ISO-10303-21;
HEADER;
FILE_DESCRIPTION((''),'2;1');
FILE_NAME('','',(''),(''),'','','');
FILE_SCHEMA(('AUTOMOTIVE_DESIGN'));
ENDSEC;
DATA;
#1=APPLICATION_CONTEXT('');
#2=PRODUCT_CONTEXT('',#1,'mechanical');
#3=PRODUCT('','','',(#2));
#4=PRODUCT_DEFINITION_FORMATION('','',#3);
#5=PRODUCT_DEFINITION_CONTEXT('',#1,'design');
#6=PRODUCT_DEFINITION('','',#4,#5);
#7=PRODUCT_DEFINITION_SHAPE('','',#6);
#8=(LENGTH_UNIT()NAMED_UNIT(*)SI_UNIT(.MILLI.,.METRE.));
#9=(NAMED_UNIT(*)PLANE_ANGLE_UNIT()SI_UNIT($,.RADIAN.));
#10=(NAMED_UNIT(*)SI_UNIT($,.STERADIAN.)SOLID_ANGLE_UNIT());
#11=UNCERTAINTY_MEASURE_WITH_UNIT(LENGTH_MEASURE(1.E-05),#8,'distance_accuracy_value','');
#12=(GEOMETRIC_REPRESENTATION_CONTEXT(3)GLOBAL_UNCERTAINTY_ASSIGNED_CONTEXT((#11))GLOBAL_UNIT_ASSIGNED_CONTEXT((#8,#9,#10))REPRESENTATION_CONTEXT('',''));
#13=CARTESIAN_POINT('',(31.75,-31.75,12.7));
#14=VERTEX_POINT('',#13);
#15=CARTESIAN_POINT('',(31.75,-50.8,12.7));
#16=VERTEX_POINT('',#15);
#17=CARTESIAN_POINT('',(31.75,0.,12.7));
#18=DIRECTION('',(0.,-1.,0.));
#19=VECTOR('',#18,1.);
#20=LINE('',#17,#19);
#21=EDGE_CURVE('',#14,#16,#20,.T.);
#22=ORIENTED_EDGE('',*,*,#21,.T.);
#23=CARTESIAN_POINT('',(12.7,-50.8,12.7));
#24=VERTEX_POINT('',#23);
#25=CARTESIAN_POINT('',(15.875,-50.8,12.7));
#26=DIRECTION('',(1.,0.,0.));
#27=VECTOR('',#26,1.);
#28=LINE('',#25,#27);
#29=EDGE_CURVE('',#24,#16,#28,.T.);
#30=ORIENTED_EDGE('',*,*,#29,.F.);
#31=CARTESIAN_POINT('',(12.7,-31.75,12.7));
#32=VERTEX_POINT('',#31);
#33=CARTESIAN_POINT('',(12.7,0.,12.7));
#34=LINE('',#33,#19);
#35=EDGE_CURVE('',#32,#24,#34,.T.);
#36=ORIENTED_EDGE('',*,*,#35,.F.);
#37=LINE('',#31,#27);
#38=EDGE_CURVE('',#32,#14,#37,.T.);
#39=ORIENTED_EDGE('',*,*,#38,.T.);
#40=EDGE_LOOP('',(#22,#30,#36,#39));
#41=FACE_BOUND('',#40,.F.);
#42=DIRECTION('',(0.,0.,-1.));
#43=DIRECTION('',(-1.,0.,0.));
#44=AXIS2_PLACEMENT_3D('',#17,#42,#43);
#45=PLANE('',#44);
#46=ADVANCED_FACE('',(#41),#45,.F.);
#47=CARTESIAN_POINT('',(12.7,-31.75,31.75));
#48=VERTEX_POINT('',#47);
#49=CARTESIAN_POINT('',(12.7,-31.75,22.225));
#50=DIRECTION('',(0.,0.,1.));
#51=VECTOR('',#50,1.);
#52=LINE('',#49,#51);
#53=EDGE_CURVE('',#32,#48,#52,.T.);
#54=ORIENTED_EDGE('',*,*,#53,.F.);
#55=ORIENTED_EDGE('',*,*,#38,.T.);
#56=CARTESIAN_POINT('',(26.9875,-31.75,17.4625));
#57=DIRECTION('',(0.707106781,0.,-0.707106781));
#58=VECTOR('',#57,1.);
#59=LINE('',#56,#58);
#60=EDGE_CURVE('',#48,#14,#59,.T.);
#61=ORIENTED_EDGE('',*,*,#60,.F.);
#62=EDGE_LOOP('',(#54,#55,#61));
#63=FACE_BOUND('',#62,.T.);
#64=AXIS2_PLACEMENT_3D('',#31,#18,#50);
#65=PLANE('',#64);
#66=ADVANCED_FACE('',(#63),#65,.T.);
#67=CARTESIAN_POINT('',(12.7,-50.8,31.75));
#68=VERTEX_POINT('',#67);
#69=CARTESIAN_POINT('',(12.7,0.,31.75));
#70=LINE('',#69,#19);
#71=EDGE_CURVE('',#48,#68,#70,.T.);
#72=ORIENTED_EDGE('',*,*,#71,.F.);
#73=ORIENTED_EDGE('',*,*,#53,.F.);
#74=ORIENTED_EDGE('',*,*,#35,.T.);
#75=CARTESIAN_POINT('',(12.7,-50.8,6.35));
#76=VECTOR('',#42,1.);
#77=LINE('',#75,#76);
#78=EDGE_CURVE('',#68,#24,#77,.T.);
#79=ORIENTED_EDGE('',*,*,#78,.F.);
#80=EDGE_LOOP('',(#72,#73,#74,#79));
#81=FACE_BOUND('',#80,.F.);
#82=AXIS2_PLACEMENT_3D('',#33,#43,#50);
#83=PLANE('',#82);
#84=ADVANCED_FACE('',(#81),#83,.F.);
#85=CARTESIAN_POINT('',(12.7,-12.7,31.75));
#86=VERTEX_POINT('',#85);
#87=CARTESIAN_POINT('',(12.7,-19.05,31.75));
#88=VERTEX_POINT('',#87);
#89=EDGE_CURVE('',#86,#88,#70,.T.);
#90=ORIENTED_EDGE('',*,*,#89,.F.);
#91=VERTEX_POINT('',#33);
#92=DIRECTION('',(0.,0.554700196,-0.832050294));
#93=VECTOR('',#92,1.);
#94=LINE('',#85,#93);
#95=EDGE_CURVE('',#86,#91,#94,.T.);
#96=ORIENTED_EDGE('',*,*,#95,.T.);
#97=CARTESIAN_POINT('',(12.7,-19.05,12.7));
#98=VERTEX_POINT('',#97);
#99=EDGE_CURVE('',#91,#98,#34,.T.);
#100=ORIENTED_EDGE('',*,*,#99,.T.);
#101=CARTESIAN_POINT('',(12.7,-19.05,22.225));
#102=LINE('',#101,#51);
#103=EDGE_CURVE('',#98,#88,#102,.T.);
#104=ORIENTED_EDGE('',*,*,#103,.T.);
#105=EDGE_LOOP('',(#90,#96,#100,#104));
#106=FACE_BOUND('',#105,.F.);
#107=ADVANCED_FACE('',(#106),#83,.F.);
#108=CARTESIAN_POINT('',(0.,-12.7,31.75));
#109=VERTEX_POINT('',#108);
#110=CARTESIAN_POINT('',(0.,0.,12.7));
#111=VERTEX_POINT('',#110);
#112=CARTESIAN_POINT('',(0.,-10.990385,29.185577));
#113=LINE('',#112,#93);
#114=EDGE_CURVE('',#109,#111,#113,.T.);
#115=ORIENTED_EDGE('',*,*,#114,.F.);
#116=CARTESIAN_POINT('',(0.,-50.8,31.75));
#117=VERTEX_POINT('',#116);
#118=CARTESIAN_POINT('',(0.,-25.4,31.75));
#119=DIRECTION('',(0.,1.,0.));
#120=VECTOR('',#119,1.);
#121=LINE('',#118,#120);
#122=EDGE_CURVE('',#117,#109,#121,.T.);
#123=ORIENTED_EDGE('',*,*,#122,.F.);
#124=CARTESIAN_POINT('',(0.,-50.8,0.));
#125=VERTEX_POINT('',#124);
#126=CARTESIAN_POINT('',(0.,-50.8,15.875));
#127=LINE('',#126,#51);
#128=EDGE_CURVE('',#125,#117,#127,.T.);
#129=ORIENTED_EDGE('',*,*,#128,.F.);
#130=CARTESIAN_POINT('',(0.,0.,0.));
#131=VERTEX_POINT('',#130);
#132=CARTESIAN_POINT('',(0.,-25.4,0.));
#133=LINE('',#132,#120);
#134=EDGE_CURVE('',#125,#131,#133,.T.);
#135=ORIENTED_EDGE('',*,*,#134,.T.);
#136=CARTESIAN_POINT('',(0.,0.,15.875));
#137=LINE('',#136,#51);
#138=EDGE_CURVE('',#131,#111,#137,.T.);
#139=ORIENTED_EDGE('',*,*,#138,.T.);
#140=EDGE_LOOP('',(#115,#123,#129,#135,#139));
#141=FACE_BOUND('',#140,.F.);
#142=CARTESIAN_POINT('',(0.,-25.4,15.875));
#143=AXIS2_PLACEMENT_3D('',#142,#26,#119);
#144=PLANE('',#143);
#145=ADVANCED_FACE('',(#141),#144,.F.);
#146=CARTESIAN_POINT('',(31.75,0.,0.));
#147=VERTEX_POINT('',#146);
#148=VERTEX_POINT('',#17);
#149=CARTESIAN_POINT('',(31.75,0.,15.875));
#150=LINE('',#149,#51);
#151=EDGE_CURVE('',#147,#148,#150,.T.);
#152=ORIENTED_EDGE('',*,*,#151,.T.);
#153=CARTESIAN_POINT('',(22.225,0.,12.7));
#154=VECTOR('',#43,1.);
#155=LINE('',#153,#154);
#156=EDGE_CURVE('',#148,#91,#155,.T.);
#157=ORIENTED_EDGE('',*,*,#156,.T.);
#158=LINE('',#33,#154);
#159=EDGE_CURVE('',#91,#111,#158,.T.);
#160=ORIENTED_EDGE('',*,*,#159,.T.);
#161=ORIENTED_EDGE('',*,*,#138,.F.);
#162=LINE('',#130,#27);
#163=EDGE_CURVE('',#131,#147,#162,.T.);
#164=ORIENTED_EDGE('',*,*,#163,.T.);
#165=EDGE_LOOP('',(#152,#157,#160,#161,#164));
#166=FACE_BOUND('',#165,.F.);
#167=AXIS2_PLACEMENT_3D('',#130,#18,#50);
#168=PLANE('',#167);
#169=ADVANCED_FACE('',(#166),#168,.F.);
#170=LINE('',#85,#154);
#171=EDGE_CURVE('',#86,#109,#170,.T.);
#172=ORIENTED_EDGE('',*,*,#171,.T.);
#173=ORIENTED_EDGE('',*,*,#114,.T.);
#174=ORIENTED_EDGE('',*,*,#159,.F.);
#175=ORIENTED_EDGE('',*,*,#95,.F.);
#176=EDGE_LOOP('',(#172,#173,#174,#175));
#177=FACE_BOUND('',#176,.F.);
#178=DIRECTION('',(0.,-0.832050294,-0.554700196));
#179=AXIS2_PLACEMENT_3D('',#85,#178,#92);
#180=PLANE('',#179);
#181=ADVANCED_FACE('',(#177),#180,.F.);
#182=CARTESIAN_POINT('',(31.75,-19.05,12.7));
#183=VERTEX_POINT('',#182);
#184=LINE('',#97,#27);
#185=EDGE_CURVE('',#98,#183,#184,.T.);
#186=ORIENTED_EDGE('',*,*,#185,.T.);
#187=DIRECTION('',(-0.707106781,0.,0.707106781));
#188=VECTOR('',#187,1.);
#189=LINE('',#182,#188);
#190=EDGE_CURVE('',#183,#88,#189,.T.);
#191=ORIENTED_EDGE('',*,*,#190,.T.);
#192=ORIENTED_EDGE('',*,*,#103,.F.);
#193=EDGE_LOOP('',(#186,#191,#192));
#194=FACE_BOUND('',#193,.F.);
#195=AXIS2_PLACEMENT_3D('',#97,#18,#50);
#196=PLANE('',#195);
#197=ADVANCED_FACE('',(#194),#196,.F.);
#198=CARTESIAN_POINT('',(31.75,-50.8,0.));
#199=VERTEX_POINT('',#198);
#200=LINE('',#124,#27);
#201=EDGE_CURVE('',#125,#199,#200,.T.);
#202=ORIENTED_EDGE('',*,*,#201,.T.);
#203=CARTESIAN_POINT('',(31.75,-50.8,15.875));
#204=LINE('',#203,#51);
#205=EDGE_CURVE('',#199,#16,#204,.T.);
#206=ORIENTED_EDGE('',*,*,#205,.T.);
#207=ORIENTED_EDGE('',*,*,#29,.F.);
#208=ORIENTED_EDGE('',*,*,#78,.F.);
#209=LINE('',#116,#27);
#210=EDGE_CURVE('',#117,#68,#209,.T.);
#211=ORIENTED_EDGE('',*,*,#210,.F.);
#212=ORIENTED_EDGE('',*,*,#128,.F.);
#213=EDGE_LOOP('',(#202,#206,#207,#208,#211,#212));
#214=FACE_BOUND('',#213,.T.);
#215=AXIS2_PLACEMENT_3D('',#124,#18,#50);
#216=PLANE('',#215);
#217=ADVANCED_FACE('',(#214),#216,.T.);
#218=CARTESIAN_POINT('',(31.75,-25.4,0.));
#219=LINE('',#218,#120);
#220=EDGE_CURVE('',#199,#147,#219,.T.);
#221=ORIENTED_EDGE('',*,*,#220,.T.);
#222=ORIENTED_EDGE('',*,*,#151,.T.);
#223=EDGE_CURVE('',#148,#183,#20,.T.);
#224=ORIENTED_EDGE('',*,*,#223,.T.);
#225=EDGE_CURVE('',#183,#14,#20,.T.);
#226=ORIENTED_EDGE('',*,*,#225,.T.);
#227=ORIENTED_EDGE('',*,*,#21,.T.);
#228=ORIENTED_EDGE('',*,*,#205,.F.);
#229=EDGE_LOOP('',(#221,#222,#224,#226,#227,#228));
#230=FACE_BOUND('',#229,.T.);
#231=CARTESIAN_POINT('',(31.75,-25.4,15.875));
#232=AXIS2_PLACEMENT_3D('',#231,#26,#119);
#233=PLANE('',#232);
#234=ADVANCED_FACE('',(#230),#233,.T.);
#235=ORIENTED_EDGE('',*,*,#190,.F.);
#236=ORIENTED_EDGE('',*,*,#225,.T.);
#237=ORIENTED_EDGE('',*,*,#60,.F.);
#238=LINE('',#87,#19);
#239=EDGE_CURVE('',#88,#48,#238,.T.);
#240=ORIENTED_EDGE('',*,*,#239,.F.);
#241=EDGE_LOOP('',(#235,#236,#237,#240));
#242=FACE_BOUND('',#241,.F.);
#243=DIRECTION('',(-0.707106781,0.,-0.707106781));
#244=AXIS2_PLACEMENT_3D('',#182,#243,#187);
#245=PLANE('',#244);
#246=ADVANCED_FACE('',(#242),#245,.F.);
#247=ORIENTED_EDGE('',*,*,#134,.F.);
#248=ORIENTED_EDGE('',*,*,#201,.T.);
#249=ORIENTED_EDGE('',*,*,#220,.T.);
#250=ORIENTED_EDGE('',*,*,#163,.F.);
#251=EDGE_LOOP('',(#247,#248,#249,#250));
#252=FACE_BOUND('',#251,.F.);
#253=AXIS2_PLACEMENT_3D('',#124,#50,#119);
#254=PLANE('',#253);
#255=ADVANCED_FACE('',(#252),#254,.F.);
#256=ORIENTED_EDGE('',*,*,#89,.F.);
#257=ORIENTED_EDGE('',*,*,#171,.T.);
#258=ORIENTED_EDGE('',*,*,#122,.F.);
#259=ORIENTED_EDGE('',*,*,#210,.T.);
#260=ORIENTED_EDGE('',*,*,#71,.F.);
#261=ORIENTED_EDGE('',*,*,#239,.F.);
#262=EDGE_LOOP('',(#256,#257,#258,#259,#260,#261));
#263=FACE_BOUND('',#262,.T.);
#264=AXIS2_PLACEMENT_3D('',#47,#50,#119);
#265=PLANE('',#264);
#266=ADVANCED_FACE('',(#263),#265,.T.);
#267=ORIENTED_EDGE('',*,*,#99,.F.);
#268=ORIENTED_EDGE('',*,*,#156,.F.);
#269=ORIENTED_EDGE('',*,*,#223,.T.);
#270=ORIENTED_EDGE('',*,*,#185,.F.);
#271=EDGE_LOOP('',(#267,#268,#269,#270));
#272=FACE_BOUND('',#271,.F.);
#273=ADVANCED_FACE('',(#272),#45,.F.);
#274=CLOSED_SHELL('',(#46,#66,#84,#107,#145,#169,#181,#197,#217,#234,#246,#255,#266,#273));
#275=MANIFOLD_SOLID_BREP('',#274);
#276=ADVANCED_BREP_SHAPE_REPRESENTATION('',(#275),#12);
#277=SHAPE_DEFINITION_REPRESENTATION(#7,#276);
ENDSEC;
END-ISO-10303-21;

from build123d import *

# Parameters (mm, degrees)
F0_W     = 50.8
F0_H     = 31.75
F1_DEPTH = 31.75
F2_W     = 19.05
F2_H     = 19.05
F3_DEPTH = 50.801
F5_DEPTH = 12.701
F6_W     = 12.7
F6_H     = 19.05
F7_DEPTH = 25.4
F9_DEPTH = 31.751


with BuildPart() as f1:
    # F0 (on Right) → F1 (new body)
    with BuildSketch(Plane.YZ):
        with Locations((-25.4, 15.875)):
            Rectangle(F0_W, F0_H)
    extrude(amount=F1_DEPTH)

    # F2 (on face) → F3 (cut, through all)
    with BuildSketch(Plane(origin=(0, 0, 0), x_dir=(-1, 0, 0), z_dir=(0, 1, 0))):
        with Locations((-22.225, 22.225)):
            Rectangle(F2_W, F2_H)
    extrude(amount=-F3_DEPTH, mode=Mode.SUBTRACT)

    # F4 (on face) → F5 (cut, through all)
    with BuildSketch(Plane.YZ.offset(12.7)):
        Polygon((0, 31.75), (-12.7, 31.75), (0, 12.7), align=None)
    extrude(amount=-F5_DEPTH, mode=Mode.SUBTRACT)

    # F6 (on face) → F7 (join)
    with BuildSketch(Plane.YZ.offset(12.7)):
        with Locations((-25.4, 22.225)):
            Rectangle(F6_W, F6_H)
    extrude(amount=F7_DEPTH)

    # F8 (on face) → F9 (cut, through all)
    with BuildSketch(Plane(origin=(0, -19.05, 0), x_dir=(-1, 0, 0), z_dir=(0, 1, 0))):
        Polygon((-38.1, 12.7), (-31.75, 12.7), (-12.7, 31.75), (-38.1, 31.75), align=None)
    extrude(amount=-F9_DEPTH, mode=Mode.SUBTRACT)


solid = f1.part
